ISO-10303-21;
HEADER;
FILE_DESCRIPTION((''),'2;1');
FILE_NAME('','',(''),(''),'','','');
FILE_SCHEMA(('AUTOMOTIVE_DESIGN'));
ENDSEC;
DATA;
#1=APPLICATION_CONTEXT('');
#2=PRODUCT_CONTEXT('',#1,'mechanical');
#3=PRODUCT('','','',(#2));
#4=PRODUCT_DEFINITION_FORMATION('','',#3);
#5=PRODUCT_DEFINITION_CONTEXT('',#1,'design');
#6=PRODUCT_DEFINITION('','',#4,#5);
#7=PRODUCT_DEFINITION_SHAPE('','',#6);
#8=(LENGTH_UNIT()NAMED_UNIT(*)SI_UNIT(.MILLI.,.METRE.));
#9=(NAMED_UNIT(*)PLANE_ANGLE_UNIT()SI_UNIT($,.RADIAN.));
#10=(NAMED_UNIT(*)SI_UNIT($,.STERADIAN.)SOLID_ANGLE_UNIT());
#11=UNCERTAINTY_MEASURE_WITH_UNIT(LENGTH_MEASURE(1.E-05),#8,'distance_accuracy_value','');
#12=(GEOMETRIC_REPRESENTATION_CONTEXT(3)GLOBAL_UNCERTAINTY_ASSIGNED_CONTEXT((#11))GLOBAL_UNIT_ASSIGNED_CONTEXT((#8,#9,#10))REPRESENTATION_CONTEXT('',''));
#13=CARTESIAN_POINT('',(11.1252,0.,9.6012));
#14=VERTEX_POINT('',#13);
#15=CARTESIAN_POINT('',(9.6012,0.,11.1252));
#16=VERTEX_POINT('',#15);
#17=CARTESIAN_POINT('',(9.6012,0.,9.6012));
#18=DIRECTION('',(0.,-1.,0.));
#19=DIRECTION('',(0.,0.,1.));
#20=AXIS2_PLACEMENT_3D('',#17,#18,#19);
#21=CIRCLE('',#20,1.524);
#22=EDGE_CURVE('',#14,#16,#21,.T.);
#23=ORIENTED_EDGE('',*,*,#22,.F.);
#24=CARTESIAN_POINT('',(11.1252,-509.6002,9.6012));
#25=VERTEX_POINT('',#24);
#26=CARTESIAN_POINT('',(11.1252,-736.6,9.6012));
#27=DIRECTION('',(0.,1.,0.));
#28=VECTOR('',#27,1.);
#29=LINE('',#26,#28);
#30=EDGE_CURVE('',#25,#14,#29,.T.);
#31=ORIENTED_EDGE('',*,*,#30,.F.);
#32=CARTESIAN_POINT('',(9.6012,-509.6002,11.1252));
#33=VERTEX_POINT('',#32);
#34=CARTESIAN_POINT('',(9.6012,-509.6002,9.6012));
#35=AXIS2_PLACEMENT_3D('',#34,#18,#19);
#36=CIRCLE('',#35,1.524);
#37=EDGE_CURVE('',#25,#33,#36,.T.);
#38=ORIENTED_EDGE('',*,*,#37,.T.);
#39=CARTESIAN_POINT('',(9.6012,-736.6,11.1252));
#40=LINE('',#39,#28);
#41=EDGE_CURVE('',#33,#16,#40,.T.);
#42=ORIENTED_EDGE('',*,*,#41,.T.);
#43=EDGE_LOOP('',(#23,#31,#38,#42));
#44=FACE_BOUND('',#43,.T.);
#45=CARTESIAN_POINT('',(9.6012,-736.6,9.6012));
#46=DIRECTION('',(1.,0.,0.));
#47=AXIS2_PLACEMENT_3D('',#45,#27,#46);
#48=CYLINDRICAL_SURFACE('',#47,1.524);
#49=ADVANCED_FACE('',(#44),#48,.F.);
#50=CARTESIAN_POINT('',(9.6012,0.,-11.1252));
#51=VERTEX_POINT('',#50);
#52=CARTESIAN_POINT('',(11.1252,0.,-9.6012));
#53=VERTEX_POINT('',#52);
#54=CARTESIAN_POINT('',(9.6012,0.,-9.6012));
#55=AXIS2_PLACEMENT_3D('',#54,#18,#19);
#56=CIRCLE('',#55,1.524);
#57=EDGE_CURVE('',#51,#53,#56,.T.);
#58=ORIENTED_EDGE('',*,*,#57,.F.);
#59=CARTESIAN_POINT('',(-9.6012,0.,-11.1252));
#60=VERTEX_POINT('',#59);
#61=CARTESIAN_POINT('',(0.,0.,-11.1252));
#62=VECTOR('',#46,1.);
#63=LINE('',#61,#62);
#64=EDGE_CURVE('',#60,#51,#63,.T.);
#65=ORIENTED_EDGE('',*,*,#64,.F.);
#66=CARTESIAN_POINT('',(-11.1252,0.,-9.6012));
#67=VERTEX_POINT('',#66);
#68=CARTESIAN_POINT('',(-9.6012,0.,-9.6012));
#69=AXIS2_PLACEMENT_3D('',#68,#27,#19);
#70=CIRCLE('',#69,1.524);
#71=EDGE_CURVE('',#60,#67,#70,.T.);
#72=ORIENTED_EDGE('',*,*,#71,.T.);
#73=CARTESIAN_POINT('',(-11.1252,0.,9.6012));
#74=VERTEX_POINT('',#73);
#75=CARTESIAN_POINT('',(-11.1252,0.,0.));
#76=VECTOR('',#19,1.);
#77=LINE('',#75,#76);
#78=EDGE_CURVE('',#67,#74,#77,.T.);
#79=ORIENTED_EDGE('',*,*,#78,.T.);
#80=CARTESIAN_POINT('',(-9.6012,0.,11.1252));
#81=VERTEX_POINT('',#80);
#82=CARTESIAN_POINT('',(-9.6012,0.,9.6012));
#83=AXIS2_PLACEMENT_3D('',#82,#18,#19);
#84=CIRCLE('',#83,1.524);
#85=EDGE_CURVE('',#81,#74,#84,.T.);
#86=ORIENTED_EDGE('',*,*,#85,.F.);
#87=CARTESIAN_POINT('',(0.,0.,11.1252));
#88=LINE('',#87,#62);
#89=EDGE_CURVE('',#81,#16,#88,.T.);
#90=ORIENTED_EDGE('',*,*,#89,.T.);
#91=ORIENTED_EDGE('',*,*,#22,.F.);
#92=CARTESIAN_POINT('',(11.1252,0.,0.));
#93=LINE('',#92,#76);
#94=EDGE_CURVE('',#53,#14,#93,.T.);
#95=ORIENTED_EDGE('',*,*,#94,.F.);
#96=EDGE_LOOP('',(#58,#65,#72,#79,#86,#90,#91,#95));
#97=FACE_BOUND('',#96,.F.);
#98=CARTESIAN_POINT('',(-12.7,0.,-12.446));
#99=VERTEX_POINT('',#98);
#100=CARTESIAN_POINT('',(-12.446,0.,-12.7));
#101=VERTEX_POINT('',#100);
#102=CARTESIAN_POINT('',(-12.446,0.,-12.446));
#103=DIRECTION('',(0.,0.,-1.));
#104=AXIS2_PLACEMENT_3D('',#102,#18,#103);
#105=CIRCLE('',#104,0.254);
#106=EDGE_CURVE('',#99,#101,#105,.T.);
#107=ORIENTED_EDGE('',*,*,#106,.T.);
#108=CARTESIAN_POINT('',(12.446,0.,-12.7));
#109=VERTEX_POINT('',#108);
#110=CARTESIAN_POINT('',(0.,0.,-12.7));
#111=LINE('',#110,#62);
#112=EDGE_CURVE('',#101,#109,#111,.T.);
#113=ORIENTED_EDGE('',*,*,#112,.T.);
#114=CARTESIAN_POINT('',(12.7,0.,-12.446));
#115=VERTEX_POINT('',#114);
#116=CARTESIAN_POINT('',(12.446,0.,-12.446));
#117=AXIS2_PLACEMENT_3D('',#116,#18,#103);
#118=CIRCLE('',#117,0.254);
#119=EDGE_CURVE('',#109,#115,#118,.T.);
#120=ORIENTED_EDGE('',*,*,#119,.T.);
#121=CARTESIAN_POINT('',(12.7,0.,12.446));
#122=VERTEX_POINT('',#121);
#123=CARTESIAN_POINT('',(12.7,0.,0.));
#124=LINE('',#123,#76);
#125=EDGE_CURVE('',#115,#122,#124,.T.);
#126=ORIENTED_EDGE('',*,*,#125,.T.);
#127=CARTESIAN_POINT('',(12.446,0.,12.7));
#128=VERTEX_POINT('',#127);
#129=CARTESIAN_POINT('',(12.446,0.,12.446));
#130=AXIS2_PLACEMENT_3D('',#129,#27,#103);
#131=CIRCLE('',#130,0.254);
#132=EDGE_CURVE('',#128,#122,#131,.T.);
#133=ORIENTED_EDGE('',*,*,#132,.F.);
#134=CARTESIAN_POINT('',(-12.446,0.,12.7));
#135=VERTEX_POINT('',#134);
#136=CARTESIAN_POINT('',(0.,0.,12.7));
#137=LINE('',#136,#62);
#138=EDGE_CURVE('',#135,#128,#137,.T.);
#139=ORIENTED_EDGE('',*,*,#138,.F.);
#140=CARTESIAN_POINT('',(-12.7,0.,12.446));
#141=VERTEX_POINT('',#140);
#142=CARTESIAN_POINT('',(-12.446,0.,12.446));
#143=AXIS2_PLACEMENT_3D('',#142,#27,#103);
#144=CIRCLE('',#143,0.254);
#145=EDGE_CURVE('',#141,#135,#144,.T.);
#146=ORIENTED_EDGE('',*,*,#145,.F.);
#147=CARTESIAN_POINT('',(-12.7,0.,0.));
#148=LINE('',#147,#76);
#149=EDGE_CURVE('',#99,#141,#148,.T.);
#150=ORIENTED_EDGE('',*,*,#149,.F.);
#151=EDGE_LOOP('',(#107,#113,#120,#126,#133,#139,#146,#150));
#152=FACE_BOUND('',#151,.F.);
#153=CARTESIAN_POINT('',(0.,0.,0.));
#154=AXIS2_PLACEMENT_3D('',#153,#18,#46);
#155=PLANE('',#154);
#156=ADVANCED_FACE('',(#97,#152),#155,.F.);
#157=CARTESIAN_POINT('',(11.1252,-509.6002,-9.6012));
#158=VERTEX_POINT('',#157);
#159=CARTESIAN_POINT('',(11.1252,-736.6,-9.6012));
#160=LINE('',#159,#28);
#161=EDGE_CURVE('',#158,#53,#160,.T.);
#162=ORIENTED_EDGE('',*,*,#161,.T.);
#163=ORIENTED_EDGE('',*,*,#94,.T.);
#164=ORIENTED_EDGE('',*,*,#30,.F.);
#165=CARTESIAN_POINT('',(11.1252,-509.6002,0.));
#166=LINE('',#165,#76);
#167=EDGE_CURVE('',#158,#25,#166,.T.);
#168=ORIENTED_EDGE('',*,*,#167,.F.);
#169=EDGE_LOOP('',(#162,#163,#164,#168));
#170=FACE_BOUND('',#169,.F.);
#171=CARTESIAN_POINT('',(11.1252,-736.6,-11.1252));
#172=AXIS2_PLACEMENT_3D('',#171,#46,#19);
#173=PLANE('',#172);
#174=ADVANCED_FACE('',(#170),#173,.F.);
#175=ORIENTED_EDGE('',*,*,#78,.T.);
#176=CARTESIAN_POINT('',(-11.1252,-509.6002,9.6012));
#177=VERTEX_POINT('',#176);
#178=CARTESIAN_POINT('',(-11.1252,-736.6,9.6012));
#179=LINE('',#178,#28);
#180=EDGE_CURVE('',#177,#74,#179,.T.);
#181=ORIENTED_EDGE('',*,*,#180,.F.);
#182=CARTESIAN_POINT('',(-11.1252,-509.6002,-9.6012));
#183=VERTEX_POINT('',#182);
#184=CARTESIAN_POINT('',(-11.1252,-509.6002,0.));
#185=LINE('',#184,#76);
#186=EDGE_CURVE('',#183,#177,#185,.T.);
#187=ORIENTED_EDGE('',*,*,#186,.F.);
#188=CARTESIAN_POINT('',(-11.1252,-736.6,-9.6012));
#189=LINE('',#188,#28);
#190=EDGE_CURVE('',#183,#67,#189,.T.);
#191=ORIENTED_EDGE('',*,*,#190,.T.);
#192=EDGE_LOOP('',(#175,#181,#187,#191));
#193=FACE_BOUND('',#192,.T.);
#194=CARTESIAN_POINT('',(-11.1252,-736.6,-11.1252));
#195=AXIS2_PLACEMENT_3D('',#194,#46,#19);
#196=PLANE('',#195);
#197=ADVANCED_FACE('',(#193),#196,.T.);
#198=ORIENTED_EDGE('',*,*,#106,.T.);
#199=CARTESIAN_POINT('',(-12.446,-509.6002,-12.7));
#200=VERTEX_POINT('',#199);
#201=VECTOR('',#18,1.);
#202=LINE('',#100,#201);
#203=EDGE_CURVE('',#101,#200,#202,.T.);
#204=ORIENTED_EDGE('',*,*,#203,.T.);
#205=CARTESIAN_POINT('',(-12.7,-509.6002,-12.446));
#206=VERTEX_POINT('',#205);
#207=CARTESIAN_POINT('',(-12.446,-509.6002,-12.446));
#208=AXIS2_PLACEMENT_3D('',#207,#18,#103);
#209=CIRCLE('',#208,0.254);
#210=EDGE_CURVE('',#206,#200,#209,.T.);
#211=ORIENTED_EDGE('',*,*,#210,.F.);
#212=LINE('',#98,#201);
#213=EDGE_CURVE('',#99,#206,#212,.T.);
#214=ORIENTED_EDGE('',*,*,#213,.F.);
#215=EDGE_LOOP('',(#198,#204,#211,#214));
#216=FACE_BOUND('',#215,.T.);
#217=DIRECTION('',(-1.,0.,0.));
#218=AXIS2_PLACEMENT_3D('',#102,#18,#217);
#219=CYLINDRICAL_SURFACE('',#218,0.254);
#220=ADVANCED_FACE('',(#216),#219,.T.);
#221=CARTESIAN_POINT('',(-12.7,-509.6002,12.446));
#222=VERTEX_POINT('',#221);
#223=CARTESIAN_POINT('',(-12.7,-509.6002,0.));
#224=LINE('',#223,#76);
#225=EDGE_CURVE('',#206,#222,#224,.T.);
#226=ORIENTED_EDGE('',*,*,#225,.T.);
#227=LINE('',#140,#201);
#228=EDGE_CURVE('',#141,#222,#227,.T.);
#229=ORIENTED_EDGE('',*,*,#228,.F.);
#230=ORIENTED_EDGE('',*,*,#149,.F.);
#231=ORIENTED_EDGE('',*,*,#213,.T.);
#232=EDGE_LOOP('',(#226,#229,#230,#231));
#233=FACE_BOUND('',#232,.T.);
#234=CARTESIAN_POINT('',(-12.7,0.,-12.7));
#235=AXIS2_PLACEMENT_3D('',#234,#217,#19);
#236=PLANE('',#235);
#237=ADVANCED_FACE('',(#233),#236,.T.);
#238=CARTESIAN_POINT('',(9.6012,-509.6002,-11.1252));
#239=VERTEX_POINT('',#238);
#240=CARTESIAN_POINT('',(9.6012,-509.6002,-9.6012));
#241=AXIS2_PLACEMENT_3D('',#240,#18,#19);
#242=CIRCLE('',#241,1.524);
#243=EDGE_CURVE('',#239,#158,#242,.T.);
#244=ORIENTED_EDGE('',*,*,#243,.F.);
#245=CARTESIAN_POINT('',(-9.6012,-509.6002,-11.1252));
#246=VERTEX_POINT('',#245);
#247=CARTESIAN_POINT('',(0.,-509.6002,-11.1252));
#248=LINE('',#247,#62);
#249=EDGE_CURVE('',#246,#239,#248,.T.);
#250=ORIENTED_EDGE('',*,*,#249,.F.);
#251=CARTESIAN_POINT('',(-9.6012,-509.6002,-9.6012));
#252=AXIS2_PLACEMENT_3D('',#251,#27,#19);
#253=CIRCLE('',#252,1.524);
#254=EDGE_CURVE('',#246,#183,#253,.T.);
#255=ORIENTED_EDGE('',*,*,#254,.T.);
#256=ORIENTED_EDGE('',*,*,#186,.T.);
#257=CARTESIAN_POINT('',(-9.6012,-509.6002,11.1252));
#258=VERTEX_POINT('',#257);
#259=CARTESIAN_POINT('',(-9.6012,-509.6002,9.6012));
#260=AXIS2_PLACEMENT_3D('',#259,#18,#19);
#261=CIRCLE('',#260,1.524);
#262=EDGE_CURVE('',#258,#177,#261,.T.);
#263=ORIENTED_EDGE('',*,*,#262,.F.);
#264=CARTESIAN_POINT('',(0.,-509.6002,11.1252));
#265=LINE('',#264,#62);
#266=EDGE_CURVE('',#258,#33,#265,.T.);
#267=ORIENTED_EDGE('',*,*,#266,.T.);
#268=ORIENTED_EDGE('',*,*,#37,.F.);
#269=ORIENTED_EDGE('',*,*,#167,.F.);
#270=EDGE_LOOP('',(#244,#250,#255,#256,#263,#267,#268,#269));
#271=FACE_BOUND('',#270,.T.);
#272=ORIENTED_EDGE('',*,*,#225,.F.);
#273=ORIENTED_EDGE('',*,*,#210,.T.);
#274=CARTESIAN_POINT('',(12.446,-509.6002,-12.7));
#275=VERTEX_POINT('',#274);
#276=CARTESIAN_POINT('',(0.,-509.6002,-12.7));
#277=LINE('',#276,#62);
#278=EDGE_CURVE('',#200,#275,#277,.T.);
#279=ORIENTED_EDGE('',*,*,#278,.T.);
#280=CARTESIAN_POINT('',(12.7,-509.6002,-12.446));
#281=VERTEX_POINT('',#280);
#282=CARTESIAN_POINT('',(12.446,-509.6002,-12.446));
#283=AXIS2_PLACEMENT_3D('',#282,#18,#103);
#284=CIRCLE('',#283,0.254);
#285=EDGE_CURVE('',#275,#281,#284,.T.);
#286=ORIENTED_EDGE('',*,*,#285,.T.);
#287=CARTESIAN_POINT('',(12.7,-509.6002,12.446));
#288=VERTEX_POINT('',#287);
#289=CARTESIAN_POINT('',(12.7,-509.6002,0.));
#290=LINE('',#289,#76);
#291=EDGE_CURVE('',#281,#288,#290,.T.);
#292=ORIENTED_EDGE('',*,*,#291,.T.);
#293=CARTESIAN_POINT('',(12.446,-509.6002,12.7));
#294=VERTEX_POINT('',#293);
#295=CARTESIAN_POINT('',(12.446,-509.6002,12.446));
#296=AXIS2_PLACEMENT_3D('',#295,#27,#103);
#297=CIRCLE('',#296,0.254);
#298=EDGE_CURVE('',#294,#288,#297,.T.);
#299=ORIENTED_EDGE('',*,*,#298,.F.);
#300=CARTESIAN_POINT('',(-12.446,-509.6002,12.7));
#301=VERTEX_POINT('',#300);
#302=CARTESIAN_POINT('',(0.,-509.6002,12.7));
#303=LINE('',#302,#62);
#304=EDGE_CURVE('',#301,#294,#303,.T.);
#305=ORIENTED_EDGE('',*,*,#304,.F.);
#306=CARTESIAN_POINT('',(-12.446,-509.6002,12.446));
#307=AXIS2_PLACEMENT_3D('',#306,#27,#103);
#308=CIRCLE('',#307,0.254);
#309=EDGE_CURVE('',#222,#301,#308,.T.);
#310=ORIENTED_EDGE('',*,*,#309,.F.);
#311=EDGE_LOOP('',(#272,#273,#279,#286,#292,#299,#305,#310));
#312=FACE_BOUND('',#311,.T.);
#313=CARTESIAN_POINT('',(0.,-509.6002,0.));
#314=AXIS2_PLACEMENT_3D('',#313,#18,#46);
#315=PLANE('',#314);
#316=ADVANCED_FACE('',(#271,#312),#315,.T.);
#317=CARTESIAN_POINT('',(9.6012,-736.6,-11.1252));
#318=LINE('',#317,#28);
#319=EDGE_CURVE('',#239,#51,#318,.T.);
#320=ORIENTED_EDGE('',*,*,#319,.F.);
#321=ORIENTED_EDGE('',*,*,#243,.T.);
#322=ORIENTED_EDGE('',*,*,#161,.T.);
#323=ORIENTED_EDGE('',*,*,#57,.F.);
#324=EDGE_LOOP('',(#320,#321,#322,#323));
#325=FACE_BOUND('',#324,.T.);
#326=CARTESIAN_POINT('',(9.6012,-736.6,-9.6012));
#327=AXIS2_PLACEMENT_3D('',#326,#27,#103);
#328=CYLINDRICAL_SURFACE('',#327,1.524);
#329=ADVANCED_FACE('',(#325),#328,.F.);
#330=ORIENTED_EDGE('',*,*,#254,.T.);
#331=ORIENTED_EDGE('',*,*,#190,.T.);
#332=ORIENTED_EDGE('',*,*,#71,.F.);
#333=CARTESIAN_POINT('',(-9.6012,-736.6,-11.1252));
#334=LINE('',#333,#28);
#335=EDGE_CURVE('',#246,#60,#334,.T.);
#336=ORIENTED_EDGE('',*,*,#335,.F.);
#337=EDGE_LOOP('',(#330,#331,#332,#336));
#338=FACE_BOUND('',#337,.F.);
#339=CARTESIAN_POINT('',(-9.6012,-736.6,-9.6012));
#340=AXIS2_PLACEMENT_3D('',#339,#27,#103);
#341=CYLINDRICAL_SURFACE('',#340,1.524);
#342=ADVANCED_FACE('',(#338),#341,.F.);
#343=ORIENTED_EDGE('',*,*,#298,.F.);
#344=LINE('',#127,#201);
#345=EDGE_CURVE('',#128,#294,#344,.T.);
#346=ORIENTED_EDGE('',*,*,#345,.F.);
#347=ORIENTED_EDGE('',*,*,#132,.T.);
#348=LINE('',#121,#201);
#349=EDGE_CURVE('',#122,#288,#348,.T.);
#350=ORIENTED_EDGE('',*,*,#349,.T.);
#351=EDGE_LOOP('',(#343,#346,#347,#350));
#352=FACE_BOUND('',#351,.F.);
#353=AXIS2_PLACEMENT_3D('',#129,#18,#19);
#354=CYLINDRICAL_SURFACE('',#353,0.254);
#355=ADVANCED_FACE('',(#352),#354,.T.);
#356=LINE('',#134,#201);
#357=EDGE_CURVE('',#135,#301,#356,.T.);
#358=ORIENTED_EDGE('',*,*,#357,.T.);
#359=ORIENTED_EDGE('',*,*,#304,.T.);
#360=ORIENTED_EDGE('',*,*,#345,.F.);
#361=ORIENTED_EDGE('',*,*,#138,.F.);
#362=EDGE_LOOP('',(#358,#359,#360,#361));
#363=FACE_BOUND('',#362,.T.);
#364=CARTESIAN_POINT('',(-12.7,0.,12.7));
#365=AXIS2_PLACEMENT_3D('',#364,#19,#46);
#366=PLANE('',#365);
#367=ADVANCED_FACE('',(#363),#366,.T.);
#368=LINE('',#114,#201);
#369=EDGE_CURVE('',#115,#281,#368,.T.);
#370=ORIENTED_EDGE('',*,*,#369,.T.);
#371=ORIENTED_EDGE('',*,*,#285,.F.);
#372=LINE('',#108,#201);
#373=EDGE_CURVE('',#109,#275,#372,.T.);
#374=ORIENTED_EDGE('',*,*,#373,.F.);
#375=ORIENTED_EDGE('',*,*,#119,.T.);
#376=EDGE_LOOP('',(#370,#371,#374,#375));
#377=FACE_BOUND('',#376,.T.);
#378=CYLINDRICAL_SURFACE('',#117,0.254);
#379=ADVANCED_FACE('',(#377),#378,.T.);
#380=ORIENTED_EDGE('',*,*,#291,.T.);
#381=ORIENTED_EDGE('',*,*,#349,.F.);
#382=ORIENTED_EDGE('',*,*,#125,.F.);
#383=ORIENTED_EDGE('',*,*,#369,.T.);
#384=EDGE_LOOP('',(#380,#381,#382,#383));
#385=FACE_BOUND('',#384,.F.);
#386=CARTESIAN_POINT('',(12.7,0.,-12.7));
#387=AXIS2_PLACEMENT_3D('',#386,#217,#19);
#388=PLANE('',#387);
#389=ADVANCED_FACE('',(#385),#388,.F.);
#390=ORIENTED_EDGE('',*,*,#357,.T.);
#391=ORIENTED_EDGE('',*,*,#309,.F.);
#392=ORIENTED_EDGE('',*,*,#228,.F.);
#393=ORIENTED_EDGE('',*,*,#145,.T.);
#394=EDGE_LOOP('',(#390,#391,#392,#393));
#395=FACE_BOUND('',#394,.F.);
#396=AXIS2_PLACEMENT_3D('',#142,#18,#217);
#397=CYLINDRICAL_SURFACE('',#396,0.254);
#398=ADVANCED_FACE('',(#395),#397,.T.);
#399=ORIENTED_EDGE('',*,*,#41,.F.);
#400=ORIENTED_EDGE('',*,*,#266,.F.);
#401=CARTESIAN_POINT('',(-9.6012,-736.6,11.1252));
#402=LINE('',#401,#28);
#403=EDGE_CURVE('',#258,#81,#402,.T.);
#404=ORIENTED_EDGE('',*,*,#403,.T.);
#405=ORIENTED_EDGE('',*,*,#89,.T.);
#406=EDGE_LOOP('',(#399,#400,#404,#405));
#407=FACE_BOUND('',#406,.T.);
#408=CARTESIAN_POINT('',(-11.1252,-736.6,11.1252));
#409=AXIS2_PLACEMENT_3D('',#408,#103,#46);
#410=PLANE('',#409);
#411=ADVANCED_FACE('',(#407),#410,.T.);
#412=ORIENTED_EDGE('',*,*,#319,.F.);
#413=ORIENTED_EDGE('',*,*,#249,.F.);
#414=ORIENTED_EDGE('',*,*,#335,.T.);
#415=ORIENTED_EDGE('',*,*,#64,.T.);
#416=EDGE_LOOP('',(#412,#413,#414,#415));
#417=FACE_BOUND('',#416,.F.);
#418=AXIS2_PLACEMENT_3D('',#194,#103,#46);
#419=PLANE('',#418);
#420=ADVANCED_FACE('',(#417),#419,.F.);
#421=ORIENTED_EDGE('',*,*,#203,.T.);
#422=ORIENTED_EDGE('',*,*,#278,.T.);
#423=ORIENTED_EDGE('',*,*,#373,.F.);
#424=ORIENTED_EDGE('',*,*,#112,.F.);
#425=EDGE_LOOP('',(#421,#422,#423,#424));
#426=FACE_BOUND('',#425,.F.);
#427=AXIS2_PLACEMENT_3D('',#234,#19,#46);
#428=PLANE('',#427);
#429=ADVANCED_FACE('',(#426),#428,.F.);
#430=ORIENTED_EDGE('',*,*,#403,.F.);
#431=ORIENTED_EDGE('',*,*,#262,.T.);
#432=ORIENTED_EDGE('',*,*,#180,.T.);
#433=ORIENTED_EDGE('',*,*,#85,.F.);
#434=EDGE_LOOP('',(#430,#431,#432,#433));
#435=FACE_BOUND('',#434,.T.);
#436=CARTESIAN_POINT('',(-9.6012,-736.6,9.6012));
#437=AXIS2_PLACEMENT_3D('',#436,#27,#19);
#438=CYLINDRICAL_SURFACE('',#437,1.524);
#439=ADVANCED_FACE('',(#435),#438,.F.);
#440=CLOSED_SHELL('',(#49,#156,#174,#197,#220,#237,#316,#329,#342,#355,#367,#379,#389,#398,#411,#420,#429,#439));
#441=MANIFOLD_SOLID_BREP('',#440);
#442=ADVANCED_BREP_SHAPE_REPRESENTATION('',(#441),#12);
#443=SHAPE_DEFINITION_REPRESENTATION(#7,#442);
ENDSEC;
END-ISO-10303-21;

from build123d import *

# Parameters (mm, degrees)
F0_W     = 25.4
F0_H     = 25.4
F1_DEPTH = 736.6
F2_W     = 22.2504
F2_H     = 22.2504
F3_DEPTH = 736.6
F4_R     = 1.524
F5_R     = 0.254
F6_DEPTH = 226.9998


with BuildPart() as f1:
    # F0 (on Front) → F1 (new body)
    with BuildSketch(Plane.XZ):
        Rectangle(F0_W, F0_H)
    extrude(amount=F1_DEPTH)

    # F2 (on face) → F3 (cut, through all)
    with BuildSketch(Plane.XZ.offset(736.6)):
        Rectangle(F2_W, F2_H)
    extrude(amount=-F3_DEPTH, mode=Mode.SUBTRACT)

    # F4
    f4_edges = [f1.edges().sort_by_distance(p)[0] for p in [
        (-11.1252, -368.3, 11.1252),
        (11.1252, -368.3, -11.1252),
        (11.1252, -368.3, 11.1252),
        (-11.1252, -368.3, -11.1252),
    ]]
    fillet(f4_edges, radius=F4_R)

    # F5
    f5_edges = [f1.edges().sort_by_distance(p)[0] for p in [
        (12.7, -368.3, 12.7),
        (12.7, -368.3, -12.7),
        (-12.7, -368.3, -12.7),
        (-12.7, -368.3, 12.7),
    ]]
    fillet(f5_edges, radius=F5_R)

    # F6 (cut): a face of the model
    f6_faces = [f1.faces().sort_by_distance(p)[0] for p in [
        (12.3407897552, -736.6, 0),
    ]]
    extrude(f6_faces, amount=-F6_DEPTH, mode=Mode.SUBTRACT)


solid = f1.part
